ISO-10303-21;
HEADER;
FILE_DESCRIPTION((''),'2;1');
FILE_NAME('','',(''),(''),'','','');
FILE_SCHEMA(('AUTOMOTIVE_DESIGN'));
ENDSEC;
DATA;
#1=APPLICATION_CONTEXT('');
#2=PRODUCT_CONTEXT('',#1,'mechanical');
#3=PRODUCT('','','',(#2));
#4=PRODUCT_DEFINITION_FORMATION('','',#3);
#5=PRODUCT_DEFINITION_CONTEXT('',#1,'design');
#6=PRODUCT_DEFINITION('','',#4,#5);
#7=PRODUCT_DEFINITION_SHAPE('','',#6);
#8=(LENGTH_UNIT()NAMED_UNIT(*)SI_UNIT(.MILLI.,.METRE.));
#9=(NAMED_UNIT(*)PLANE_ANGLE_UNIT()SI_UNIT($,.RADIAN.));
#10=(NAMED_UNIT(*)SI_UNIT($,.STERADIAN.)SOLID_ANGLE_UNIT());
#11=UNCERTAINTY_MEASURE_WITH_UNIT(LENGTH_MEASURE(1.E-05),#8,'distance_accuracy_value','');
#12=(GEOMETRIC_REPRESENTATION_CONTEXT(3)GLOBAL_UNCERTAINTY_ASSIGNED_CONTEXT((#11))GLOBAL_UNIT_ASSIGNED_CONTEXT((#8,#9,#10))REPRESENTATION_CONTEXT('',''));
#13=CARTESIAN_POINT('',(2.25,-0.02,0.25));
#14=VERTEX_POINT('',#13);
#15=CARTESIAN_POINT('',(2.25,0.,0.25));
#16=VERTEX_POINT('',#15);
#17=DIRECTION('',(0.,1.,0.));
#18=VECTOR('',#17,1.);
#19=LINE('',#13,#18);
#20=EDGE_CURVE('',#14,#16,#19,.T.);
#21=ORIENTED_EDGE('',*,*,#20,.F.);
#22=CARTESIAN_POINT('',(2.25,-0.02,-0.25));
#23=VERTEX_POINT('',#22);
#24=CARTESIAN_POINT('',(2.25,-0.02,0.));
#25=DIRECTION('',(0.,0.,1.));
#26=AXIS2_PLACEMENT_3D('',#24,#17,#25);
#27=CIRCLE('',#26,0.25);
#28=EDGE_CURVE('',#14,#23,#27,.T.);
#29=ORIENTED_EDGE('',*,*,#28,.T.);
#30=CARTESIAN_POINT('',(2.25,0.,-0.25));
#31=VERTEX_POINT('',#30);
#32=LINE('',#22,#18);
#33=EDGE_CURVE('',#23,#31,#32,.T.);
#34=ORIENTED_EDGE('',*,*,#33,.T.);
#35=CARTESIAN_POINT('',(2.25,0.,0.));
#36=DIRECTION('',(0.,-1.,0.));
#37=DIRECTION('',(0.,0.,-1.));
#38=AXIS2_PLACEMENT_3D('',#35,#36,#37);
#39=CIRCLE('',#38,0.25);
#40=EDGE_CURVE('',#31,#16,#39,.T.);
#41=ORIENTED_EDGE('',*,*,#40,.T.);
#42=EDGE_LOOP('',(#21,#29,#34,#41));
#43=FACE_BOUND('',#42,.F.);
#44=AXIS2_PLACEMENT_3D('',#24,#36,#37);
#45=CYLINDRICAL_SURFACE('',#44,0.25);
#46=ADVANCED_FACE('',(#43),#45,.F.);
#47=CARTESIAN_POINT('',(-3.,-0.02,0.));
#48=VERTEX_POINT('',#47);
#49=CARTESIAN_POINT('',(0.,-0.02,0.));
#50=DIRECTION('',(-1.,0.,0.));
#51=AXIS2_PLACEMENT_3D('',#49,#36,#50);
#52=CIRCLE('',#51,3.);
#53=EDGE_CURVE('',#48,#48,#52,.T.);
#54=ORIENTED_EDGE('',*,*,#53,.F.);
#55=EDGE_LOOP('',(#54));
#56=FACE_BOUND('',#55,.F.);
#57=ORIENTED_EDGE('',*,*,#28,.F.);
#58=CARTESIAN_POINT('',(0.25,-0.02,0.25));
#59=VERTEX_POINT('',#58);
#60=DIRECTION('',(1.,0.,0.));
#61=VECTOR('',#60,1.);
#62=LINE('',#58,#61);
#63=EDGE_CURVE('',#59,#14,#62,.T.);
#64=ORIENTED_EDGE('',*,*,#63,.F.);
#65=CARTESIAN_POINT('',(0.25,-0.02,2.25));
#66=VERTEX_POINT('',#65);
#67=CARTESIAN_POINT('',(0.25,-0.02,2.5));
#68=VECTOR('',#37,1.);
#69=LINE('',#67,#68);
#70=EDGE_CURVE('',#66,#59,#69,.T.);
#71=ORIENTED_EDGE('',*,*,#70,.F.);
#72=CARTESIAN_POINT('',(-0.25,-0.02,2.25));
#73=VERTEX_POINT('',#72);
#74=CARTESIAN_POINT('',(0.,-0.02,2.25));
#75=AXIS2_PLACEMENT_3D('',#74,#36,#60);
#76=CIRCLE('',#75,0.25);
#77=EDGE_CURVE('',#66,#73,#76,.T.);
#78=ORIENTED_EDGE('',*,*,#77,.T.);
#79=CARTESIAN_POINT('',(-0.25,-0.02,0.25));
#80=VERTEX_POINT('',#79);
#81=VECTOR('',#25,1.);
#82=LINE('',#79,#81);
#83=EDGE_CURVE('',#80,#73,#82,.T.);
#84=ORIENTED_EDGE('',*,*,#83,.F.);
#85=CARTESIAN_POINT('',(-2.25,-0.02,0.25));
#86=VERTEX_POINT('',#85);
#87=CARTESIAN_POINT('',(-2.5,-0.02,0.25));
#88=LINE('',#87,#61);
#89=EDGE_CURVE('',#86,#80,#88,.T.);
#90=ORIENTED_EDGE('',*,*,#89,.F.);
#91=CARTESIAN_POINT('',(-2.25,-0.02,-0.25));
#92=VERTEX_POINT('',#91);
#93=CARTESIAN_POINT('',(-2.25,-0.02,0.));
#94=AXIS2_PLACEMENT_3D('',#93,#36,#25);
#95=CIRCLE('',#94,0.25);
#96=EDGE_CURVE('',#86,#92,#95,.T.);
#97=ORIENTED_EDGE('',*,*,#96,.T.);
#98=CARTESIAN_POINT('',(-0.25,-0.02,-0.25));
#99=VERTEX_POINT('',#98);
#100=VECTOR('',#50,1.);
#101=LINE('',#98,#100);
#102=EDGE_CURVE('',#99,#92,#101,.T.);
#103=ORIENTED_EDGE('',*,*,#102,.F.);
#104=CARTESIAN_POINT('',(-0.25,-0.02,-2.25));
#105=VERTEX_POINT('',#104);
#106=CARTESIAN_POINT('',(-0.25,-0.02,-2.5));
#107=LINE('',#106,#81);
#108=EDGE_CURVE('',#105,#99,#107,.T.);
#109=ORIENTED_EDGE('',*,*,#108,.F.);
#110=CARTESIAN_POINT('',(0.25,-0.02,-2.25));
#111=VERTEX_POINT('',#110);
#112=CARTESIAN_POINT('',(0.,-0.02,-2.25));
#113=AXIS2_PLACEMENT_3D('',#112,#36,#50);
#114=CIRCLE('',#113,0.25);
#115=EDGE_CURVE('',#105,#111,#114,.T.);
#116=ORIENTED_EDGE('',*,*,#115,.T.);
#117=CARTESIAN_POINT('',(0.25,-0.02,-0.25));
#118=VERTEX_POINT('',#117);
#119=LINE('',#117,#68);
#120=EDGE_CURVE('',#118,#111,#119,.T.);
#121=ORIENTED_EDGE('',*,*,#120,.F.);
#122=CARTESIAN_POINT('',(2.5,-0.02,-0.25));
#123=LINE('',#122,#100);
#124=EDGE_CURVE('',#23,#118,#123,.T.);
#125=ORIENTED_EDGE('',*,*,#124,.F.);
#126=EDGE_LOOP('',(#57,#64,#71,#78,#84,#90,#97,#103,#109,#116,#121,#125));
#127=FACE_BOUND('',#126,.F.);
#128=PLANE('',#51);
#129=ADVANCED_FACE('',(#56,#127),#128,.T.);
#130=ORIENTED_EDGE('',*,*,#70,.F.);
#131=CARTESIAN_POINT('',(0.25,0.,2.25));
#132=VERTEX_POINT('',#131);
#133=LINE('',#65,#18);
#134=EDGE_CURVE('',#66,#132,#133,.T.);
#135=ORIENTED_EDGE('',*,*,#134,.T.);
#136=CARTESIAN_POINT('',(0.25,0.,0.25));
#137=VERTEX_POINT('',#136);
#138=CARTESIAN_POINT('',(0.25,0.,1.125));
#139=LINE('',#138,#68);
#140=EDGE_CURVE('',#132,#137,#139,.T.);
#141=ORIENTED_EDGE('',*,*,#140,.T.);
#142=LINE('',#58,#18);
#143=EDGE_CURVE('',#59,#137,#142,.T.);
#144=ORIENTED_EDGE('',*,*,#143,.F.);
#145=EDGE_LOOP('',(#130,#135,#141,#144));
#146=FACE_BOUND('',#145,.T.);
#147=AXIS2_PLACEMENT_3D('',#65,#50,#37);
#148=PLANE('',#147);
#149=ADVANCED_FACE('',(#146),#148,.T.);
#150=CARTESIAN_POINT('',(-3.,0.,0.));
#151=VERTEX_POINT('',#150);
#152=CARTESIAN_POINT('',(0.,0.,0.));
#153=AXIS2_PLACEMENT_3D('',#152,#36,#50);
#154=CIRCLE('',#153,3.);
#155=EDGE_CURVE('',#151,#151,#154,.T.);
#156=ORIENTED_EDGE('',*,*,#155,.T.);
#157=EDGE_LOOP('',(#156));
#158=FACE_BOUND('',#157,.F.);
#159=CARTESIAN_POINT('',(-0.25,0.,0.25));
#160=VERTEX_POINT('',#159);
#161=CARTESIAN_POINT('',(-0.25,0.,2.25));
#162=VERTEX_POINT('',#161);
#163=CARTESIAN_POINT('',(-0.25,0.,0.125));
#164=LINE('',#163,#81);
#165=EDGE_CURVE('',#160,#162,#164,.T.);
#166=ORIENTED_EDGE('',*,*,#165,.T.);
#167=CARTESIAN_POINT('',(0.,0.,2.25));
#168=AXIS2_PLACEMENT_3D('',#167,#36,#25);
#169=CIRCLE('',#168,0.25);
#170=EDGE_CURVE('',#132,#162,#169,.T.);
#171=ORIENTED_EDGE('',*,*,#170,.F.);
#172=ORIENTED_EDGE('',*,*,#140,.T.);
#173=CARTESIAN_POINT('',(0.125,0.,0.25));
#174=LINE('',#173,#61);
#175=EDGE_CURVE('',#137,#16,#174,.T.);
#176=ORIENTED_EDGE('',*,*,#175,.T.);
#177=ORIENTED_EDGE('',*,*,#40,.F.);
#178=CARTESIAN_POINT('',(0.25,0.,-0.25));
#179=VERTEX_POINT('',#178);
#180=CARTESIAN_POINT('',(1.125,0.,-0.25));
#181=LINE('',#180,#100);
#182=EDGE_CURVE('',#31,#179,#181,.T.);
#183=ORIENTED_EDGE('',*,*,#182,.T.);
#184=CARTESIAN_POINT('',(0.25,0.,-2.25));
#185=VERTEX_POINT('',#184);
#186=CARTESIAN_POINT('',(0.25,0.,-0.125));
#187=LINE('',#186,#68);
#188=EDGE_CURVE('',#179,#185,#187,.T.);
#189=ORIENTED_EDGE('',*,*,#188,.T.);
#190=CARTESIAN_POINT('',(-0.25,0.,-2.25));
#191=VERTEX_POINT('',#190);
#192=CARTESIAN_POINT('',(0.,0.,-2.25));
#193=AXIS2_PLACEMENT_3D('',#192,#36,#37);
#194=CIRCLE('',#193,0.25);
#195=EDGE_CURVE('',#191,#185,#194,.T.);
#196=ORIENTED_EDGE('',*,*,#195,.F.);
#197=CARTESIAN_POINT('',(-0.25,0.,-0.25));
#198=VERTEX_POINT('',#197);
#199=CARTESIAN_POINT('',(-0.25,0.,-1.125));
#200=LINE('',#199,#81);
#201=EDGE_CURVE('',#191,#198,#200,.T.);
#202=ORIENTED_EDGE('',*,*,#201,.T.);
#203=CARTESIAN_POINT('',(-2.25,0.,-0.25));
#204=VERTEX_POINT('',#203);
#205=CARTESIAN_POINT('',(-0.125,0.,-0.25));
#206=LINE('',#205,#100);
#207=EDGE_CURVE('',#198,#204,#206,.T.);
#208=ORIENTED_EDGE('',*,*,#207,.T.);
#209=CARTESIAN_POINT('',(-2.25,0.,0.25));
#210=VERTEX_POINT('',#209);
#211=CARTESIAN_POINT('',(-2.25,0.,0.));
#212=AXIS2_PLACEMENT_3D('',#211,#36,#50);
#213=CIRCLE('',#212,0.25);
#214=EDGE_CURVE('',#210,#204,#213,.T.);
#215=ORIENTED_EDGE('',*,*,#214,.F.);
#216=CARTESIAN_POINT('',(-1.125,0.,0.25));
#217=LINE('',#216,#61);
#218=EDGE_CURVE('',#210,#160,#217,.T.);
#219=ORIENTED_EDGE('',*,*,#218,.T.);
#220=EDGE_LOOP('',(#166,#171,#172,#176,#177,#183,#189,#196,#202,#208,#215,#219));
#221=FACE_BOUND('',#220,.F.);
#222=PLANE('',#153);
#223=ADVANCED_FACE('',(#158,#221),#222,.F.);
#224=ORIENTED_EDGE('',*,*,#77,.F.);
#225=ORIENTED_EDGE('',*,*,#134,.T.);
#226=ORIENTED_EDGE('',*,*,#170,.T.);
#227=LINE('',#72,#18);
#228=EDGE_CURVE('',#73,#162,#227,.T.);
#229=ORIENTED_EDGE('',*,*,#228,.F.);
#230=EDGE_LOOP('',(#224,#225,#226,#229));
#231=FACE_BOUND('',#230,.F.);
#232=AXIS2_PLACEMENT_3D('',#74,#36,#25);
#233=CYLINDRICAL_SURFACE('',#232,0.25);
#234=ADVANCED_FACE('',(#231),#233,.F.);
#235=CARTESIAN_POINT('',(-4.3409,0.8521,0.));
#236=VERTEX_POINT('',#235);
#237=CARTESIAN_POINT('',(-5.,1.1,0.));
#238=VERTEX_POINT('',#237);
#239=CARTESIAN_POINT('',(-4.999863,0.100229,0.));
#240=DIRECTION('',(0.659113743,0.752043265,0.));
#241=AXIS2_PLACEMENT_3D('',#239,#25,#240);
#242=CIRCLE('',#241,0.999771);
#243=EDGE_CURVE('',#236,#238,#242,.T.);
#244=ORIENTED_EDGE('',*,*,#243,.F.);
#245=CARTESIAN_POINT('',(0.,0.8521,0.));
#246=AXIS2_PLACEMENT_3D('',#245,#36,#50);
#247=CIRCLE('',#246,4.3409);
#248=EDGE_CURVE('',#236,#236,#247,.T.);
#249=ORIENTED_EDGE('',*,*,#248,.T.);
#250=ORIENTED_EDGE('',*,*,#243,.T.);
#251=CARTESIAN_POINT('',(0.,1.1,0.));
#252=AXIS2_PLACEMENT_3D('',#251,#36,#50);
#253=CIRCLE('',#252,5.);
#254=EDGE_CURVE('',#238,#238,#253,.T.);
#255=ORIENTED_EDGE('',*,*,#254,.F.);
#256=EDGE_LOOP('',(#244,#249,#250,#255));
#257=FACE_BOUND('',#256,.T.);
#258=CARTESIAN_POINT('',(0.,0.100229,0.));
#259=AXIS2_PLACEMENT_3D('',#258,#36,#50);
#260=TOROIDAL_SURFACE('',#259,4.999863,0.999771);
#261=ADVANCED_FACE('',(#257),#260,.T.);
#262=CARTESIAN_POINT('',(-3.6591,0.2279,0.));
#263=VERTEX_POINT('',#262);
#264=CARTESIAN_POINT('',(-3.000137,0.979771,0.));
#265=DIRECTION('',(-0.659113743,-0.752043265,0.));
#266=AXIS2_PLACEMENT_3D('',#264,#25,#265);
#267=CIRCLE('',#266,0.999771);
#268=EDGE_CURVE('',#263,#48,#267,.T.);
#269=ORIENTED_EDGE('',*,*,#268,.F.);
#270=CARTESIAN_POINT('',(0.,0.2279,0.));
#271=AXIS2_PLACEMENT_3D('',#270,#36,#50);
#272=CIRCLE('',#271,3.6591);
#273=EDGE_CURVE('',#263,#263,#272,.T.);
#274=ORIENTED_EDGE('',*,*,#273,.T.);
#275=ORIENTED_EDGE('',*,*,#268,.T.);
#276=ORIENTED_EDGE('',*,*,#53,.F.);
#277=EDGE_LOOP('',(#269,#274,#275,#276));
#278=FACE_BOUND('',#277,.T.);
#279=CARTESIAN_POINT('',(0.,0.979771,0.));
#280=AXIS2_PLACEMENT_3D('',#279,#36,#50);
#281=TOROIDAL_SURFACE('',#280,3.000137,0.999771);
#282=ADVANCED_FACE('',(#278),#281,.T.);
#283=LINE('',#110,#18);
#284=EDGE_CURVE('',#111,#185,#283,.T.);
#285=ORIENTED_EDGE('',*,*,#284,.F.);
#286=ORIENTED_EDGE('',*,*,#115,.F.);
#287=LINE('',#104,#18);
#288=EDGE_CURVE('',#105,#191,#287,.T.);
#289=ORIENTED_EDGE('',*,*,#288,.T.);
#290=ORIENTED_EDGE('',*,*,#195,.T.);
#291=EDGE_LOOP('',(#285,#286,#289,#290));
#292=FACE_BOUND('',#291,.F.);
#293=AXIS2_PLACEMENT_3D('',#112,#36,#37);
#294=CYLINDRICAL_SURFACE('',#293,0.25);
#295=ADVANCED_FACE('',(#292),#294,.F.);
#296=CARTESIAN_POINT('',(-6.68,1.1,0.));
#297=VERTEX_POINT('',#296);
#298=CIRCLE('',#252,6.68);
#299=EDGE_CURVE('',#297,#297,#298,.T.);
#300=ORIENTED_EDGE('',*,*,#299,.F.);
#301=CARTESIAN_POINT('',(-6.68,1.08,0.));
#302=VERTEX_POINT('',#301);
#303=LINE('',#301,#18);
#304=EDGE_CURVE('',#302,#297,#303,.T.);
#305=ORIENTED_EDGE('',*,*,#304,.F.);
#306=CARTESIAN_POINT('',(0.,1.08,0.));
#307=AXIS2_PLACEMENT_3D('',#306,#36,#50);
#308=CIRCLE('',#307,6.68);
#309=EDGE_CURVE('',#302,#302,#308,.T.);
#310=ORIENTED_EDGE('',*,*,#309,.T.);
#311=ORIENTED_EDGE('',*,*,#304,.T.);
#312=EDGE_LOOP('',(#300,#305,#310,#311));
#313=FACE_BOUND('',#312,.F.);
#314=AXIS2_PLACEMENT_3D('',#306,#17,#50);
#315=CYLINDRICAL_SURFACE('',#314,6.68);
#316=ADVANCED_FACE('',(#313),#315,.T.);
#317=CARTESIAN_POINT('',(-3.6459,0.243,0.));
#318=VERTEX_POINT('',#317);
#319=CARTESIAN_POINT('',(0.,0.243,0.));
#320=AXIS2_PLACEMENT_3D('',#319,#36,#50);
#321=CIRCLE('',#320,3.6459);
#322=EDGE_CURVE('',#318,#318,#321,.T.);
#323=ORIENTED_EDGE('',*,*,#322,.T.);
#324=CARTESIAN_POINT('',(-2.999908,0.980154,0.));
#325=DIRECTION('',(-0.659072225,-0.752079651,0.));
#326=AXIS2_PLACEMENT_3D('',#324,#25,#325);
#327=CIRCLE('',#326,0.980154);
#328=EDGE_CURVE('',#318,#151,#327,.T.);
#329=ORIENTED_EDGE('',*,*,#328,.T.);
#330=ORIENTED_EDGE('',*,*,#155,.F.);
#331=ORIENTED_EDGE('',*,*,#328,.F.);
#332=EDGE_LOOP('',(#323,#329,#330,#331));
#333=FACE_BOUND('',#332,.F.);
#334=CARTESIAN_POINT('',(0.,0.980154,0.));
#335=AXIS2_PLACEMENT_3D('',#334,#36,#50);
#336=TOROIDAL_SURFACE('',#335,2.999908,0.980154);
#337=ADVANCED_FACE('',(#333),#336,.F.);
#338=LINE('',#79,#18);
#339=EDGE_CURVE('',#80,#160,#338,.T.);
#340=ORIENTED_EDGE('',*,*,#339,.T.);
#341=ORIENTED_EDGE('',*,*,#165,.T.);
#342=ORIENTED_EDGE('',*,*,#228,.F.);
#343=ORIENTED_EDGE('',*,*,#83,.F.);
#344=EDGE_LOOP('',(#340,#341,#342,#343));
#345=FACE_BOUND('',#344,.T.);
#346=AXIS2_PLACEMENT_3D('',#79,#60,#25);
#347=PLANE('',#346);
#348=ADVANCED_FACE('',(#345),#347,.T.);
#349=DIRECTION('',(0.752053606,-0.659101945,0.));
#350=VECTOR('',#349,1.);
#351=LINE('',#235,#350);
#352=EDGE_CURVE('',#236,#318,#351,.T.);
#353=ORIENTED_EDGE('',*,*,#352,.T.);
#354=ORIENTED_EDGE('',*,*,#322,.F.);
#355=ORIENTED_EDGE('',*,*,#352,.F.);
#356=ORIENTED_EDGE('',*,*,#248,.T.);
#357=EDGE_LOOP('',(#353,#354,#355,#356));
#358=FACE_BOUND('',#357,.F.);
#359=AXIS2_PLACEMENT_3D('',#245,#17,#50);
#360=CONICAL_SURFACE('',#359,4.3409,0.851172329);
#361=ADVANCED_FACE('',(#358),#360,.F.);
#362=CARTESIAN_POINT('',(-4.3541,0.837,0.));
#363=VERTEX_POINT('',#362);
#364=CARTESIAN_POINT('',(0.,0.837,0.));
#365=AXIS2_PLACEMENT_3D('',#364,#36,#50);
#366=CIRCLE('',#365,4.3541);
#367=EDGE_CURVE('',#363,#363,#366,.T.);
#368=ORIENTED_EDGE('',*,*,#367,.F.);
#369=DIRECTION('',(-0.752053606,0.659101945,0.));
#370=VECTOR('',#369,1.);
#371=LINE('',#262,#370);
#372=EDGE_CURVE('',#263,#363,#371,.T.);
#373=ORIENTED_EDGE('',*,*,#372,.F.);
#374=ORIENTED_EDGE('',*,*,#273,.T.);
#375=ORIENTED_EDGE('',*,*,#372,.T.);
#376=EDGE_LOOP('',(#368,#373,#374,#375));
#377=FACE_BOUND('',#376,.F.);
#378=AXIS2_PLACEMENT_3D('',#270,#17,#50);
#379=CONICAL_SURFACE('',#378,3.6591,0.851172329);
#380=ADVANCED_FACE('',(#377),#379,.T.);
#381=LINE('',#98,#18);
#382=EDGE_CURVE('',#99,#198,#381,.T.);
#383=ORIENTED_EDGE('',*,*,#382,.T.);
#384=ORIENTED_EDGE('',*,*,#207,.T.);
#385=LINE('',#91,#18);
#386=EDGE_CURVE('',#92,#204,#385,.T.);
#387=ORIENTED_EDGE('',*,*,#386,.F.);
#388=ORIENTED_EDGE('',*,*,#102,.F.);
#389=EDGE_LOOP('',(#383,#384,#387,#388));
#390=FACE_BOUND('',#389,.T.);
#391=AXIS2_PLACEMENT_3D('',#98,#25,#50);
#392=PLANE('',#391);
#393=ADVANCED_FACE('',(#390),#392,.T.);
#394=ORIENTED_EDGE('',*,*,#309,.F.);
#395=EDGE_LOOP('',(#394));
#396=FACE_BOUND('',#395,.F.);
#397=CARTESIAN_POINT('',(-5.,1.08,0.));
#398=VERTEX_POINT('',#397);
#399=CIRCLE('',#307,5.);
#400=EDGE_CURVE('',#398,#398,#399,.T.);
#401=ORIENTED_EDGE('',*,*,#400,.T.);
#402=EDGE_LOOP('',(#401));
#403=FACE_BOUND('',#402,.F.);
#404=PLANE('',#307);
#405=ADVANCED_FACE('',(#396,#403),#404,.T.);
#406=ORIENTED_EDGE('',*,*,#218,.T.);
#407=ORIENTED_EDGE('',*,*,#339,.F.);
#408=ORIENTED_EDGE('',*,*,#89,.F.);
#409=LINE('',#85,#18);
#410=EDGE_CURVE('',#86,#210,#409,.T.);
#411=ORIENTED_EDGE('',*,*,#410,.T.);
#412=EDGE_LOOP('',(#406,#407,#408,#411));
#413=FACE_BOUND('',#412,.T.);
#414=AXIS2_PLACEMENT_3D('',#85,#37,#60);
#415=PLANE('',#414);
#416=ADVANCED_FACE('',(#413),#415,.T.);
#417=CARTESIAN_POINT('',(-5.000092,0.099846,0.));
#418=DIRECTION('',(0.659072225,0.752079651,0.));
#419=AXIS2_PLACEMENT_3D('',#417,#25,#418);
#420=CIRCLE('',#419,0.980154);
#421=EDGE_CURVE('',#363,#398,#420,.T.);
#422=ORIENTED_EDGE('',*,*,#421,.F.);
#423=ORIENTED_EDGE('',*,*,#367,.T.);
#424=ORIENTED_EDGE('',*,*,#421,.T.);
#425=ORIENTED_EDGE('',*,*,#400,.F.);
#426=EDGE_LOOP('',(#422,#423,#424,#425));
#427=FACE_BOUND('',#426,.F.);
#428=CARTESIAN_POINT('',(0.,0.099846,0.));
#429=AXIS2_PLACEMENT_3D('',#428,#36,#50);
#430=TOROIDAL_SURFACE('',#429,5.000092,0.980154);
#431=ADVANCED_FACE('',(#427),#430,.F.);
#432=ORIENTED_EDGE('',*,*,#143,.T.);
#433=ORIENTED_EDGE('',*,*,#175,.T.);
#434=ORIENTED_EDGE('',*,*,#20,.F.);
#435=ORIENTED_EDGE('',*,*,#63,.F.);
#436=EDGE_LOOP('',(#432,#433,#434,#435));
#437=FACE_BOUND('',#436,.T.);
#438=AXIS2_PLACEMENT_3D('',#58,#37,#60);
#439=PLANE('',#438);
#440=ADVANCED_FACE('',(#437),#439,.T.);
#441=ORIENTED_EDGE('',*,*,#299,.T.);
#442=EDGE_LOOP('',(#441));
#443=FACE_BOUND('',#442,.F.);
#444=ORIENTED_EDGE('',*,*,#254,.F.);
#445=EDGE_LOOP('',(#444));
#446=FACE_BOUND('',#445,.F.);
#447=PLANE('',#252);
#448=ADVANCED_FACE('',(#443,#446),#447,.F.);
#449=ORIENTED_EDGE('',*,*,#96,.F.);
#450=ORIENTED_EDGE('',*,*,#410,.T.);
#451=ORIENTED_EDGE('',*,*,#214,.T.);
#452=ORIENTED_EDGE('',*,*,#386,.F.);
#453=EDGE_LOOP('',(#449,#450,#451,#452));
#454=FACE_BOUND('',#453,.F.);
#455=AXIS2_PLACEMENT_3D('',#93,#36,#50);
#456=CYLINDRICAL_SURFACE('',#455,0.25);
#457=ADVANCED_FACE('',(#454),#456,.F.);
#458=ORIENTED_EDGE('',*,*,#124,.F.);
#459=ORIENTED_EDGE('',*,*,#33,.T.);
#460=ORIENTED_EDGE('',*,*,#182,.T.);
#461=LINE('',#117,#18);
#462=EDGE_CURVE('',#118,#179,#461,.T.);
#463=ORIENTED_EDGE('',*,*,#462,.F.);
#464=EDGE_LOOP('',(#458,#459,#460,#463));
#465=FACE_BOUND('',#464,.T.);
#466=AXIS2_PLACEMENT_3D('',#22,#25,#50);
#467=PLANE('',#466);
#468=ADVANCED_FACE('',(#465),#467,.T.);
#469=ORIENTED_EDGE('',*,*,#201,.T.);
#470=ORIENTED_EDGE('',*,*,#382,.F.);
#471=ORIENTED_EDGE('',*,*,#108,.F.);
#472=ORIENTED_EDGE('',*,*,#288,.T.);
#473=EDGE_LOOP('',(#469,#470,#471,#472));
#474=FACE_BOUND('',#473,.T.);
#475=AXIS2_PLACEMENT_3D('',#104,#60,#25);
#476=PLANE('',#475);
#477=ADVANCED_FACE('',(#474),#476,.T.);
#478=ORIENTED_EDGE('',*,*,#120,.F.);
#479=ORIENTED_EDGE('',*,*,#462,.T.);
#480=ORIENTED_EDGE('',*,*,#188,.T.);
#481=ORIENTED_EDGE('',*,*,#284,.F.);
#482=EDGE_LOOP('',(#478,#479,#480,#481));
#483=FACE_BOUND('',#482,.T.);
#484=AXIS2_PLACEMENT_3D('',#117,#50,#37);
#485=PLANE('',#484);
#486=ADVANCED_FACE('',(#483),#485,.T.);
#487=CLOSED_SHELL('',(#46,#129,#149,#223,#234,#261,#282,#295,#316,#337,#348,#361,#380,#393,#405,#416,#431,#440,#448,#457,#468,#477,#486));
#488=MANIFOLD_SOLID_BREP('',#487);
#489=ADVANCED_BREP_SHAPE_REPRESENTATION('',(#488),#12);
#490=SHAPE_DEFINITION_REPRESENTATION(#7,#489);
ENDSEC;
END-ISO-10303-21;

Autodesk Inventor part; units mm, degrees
ref_plane "YZ Plane" through (0, 0, 0) normal (1, 0, 0) x (0, 1, 0)
ref_plane "XZ Plane" through (0, 0, 0) normal (0, 1, 0) x (-1, 0, 0)
ref_plane "XY Plane" through (0, 0, 0) normal (0, 0, 1) x (1, 0, 0)
sketch "Skizze1" plane through (0, 0, 0) normal (0, 0, 1) x (1, 0, 0)
  line L0 (0, 0) -> (0, -0.02)
  line L1 (0, -0.02) -> (-3, -0.02)
  arc A0 (-3.6591, 0.2279) -> (-3, -0.02) centre (-3, 0.98) ccw
  line L2 (-3.6591, 0.2279) -> (-4.3541, 0.837)
  arc A1 (-4.3541, 0.837) -> (-5, 1.08) centre (-5, 0.1) ccw
  line L3 (-5, 1.08) -> (-6.68, 1.08)
  line L4 (-6.68, 1.08) -> (-6.68, 1.1)
  line L5 (-6.68, 1.1) -> (-5, 1.1)
  arc A2 (-4.3409, 0.8521) -> (-5, 1.1) centre (-5, 0.1) ccw
  line L6 (-4.3409, 0.8521) -> (-3.6459, 0.243)
  line L7 (-3, 0) -> (0, 0)
  arc A3 (-3.6459, 0.243) -> (-3, 0) centre (-3, 0.98) ccw
  dimension "d0" = 0.02
  dimension "d2" = 10
  dimension "d3" = 0.02
  dimension "d4" = 1
  dimension "d5" = 1.1
  dimension "d6" = 6
revolve "Umdrehung1" add sketch "Skizze1" angle 360 about axis through (0, 0, 0) along (0, -1, 0)
sketch "Skizze2" plane through (0, -0.02, 0) normal (0, -1, 0) x (1, 0, 0)
  line L0 (0, 0) -> (0, 2.5)
  line L1 (0, 2.5) -> (0.25, 2.5)
  line L2 (0.25, 2.5) -> (0.25, 0.25)
  line L3 (0.25, 0.25) -> (2.5, 0.25)
  line L4 (2.5, 0.25) -> (2.5, 0)
  line L5 (2.5, 0) -> (0, 0)
  arc A0 (2.5, 0) -> (2.25, 0.25) centre (2.25, 0) ccw
  arc A1 (0.25, 2.25) -> (0, 2.5) centre (0, 2.25) ccw
  arc A2 (-2.25, 0.25) -> (-2.5, 0) centre (-2.25, 0) ccw
  line L6 (-2.5, 0.25) -> (-0.25, 0.25)
  line L7 (-0.25, 2.5) -> (0, 2.5)
  arc A3 (0, 2.5) -> (-0.25, 2.25) centre (0, 2.25) ccw
  line L8 (-0.25, 0.25) -> (-0.25, 2.5)
  line L9 (-2.5, 0) -> (-2.5, 0.25)
  arc A4 (-0.25, -2.25) -> (0, -2.5) centre (0, -2.25) ccw
  line L10 (-0.25, -2.5) -> (-0.25, -0.25)
  line L11 (-2.5, -0.25) -> (-2.5, 0)
  arc A5 (-2.5, 0) -> (-2.25, -0.25) centre (-2.25, 0) ccw
  line L12 (-0.25, -0.25) -> (-2.5, -0.25)
  line L13 (0, -2.5) -> (-0.25, -2.5)
  arc A6 (2.25, -0.25) -> (2.5, 0) centre (2.25, 0) ccw
  line L14 (2.5, -0.25) -> (0.25, -0.25)
  line L15 (0.25, -2.5) -> (0, -2.5)
  arc A7 (0, -2.5) -> (0.25, -2.25) centre (0, -2.25) ccw
  line L16 (0.25, -0.25) -> (0.25, -2.5)
  line L17 (2.5, 0) -> (2.5, -0.25)
  point P0 (0, 2.5)
  point P1 (-2.5, 0)
  point P2 (0, -2.5)
  point P3 (2.5, 0)
  dimension "d8" = 5
  dimension "d9" = 0.5
  dimension "d12" = 360
extrude "Extrusion1" cut sketch "Skizze2" against normal through all contours L5 A6 L14 L16 A7 A4 L10 L12 A5 A2 L6 L8 A3 L0 | L0 A1 L2 L3 A0 L5
equation "\"d3\" = d0"
equation "\"Biegeradius\" = Stärke"
equation "\"BreiteBiegungsfreistellung\" = Stärke"
equation "\"TiefeBiegungsfreistellung\" = 0.5 * Stärke"
equation "\"GrößeEckenfreistellung\" = 4 * Stärke"
equation "\"MinimalRest\" = 2 * Stärke"
equation "\"Übergangsradius\" = Biegeradius"
equation "\"JacobiRadiusGröße\" = Biegeradius"
equation "\"Abstandsgröße\" = Stärke"
equation "\"Stärke\" = 0.5"
properties part number "bat_contacts_v2_contact_round"
